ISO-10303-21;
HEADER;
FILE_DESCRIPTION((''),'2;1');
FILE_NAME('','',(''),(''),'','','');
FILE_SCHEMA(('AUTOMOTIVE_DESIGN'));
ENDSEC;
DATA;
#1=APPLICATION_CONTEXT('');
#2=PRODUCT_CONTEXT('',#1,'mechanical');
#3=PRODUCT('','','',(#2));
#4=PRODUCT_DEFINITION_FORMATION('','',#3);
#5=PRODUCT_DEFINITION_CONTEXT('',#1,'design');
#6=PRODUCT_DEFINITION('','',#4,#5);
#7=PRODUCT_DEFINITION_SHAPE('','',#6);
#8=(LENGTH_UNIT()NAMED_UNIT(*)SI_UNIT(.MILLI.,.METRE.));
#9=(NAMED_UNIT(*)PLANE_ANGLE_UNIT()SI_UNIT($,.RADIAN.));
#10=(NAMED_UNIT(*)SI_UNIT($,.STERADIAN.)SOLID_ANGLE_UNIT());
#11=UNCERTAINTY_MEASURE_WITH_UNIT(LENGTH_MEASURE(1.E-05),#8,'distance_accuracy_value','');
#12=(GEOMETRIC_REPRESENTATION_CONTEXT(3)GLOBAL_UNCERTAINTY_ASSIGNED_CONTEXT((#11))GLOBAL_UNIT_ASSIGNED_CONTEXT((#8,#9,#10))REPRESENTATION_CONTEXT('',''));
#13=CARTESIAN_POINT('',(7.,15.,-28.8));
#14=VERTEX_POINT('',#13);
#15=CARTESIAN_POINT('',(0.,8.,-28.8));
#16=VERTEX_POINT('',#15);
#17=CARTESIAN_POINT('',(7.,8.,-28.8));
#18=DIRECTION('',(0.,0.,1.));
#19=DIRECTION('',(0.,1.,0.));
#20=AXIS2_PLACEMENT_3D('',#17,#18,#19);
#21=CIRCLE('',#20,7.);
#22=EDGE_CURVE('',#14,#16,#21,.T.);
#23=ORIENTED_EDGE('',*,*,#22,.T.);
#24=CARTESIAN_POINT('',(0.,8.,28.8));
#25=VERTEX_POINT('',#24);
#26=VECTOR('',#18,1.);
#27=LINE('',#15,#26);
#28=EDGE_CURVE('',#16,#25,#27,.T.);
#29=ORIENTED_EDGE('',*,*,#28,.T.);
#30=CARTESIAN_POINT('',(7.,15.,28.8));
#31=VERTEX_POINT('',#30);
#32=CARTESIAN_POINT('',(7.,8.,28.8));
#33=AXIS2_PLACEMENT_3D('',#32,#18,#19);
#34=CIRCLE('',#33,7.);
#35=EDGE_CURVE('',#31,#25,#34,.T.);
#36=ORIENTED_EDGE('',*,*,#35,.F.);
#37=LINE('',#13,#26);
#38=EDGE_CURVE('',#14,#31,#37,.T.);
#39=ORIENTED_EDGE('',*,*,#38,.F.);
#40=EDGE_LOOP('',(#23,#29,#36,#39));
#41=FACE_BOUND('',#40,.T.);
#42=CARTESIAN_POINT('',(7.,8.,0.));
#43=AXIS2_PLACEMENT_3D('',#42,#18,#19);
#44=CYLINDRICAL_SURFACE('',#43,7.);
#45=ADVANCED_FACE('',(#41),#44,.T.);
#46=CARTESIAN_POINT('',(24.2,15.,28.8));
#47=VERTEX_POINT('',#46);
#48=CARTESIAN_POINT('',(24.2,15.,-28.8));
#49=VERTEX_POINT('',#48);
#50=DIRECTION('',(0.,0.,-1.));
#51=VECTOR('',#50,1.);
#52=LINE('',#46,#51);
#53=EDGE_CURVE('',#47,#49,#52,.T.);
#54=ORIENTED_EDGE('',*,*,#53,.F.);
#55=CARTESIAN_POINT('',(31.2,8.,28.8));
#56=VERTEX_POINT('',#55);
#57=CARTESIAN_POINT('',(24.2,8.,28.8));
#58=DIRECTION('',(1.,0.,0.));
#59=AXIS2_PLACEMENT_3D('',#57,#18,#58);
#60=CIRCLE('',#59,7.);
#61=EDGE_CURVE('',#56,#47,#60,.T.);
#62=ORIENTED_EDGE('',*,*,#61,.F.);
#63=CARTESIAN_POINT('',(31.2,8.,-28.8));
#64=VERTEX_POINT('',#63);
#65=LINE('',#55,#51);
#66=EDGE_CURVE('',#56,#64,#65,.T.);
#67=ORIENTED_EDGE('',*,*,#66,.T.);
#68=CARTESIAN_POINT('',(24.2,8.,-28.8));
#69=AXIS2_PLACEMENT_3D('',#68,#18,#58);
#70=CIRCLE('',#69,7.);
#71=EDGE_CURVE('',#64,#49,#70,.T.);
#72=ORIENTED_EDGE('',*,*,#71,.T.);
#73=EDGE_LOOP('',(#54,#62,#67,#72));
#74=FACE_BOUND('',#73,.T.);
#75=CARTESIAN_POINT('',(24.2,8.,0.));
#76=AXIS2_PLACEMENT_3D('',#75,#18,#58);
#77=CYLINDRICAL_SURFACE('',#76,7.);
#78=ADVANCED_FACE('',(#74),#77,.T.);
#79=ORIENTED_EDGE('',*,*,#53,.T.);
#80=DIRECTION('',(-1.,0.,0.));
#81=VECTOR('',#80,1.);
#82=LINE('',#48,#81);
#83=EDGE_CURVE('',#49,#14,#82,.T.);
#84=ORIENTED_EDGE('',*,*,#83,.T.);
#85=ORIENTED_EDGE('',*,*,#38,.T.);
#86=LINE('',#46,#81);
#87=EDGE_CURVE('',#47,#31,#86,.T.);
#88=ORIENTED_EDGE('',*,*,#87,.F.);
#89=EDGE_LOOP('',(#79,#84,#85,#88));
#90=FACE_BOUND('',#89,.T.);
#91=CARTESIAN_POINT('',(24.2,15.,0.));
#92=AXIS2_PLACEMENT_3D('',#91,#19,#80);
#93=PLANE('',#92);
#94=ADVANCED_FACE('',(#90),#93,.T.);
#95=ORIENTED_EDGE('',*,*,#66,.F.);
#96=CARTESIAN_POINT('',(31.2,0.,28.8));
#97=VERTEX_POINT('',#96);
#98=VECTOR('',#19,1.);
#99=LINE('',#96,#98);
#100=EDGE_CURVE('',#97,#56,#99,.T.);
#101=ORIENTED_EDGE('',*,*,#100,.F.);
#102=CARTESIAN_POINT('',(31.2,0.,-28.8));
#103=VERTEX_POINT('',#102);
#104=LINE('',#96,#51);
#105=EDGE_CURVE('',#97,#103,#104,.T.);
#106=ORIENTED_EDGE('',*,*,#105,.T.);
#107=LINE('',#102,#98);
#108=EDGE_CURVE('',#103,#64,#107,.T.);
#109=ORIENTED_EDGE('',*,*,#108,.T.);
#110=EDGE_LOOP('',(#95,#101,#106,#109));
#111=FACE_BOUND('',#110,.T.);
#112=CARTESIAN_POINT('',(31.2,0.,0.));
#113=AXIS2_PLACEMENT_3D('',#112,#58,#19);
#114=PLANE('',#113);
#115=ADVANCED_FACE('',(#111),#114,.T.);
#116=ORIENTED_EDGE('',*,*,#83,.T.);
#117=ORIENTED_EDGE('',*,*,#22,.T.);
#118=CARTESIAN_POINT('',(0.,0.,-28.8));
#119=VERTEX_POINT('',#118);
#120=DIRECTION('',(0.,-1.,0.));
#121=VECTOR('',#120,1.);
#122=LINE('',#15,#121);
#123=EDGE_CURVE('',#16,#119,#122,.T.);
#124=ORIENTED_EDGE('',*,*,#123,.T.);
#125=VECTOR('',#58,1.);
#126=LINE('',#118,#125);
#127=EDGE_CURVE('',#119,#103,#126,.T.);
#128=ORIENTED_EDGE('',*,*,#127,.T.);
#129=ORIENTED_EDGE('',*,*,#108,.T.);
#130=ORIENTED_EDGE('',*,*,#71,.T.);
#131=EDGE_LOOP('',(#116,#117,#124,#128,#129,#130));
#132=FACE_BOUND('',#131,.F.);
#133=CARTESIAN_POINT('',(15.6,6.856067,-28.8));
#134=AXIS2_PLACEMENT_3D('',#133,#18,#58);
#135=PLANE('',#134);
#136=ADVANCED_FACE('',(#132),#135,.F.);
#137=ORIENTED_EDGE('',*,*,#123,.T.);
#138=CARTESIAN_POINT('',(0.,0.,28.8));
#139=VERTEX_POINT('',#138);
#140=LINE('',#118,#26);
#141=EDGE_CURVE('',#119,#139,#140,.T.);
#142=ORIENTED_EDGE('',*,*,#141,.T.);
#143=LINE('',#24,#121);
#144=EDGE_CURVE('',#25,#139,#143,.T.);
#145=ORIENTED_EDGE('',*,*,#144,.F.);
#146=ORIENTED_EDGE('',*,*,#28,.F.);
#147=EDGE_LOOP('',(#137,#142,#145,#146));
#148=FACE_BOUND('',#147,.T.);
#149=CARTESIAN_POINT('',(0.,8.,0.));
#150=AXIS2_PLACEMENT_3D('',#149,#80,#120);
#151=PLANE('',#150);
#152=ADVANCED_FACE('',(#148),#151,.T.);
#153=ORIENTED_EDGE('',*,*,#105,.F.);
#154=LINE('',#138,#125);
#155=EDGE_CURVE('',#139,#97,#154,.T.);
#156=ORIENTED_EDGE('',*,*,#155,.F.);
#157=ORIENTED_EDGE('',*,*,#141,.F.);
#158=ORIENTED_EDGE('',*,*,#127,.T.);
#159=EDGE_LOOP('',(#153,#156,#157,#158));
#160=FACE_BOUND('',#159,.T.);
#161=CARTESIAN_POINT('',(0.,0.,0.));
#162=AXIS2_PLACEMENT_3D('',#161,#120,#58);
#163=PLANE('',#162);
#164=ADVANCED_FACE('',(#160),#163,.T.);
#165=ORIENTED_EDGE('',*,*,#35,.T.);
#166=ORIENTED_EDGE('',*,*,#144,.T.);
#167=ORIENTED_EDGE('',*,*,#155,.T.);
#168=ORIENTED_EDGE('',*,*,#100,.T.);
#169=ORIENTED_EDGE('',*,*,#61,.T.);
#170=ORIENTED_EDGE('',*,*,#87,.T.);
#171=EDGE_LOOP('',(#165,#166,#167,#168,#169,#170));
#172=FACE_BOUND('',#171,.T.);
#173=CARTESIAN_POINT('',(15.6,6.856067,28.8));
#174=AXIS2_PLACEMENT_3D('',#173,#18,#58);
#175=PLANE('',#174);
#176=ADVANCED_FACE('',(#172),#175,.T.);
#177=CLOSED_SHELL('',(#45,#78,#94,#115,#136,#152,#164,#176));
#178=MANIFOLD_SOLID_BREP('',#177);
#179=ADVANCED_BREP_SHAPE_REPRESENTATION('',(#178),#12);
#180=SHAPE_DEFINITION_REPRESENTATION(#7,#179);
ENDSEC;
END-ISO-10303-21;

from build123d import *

# Parameters (mm, degrees)
F1_DEPTH = 28.8


with BuildPart() as f1:
    # F0 (on Top) → F1 (new body, symmetric)
    with BuildSketch(Plane.XY):
        with BuildLine():
            Line((24.2, 15), (7, 15))
            ThreePointArc((7, 15), (2.0502525317, 12.9497474683), (0, 8))
            Line((0, 8), (0, 0))
            Line((0, 0), (31.2, 0))
            Line((31.2, 0), (31.2, 8))
            ThreePointArc((31.2, 8), (29.1497474683, 12.9497474683), (24.2, 15))
        make_face()
    extrude(amount=F1_DEPTH, both=True)


solid = f1.part
